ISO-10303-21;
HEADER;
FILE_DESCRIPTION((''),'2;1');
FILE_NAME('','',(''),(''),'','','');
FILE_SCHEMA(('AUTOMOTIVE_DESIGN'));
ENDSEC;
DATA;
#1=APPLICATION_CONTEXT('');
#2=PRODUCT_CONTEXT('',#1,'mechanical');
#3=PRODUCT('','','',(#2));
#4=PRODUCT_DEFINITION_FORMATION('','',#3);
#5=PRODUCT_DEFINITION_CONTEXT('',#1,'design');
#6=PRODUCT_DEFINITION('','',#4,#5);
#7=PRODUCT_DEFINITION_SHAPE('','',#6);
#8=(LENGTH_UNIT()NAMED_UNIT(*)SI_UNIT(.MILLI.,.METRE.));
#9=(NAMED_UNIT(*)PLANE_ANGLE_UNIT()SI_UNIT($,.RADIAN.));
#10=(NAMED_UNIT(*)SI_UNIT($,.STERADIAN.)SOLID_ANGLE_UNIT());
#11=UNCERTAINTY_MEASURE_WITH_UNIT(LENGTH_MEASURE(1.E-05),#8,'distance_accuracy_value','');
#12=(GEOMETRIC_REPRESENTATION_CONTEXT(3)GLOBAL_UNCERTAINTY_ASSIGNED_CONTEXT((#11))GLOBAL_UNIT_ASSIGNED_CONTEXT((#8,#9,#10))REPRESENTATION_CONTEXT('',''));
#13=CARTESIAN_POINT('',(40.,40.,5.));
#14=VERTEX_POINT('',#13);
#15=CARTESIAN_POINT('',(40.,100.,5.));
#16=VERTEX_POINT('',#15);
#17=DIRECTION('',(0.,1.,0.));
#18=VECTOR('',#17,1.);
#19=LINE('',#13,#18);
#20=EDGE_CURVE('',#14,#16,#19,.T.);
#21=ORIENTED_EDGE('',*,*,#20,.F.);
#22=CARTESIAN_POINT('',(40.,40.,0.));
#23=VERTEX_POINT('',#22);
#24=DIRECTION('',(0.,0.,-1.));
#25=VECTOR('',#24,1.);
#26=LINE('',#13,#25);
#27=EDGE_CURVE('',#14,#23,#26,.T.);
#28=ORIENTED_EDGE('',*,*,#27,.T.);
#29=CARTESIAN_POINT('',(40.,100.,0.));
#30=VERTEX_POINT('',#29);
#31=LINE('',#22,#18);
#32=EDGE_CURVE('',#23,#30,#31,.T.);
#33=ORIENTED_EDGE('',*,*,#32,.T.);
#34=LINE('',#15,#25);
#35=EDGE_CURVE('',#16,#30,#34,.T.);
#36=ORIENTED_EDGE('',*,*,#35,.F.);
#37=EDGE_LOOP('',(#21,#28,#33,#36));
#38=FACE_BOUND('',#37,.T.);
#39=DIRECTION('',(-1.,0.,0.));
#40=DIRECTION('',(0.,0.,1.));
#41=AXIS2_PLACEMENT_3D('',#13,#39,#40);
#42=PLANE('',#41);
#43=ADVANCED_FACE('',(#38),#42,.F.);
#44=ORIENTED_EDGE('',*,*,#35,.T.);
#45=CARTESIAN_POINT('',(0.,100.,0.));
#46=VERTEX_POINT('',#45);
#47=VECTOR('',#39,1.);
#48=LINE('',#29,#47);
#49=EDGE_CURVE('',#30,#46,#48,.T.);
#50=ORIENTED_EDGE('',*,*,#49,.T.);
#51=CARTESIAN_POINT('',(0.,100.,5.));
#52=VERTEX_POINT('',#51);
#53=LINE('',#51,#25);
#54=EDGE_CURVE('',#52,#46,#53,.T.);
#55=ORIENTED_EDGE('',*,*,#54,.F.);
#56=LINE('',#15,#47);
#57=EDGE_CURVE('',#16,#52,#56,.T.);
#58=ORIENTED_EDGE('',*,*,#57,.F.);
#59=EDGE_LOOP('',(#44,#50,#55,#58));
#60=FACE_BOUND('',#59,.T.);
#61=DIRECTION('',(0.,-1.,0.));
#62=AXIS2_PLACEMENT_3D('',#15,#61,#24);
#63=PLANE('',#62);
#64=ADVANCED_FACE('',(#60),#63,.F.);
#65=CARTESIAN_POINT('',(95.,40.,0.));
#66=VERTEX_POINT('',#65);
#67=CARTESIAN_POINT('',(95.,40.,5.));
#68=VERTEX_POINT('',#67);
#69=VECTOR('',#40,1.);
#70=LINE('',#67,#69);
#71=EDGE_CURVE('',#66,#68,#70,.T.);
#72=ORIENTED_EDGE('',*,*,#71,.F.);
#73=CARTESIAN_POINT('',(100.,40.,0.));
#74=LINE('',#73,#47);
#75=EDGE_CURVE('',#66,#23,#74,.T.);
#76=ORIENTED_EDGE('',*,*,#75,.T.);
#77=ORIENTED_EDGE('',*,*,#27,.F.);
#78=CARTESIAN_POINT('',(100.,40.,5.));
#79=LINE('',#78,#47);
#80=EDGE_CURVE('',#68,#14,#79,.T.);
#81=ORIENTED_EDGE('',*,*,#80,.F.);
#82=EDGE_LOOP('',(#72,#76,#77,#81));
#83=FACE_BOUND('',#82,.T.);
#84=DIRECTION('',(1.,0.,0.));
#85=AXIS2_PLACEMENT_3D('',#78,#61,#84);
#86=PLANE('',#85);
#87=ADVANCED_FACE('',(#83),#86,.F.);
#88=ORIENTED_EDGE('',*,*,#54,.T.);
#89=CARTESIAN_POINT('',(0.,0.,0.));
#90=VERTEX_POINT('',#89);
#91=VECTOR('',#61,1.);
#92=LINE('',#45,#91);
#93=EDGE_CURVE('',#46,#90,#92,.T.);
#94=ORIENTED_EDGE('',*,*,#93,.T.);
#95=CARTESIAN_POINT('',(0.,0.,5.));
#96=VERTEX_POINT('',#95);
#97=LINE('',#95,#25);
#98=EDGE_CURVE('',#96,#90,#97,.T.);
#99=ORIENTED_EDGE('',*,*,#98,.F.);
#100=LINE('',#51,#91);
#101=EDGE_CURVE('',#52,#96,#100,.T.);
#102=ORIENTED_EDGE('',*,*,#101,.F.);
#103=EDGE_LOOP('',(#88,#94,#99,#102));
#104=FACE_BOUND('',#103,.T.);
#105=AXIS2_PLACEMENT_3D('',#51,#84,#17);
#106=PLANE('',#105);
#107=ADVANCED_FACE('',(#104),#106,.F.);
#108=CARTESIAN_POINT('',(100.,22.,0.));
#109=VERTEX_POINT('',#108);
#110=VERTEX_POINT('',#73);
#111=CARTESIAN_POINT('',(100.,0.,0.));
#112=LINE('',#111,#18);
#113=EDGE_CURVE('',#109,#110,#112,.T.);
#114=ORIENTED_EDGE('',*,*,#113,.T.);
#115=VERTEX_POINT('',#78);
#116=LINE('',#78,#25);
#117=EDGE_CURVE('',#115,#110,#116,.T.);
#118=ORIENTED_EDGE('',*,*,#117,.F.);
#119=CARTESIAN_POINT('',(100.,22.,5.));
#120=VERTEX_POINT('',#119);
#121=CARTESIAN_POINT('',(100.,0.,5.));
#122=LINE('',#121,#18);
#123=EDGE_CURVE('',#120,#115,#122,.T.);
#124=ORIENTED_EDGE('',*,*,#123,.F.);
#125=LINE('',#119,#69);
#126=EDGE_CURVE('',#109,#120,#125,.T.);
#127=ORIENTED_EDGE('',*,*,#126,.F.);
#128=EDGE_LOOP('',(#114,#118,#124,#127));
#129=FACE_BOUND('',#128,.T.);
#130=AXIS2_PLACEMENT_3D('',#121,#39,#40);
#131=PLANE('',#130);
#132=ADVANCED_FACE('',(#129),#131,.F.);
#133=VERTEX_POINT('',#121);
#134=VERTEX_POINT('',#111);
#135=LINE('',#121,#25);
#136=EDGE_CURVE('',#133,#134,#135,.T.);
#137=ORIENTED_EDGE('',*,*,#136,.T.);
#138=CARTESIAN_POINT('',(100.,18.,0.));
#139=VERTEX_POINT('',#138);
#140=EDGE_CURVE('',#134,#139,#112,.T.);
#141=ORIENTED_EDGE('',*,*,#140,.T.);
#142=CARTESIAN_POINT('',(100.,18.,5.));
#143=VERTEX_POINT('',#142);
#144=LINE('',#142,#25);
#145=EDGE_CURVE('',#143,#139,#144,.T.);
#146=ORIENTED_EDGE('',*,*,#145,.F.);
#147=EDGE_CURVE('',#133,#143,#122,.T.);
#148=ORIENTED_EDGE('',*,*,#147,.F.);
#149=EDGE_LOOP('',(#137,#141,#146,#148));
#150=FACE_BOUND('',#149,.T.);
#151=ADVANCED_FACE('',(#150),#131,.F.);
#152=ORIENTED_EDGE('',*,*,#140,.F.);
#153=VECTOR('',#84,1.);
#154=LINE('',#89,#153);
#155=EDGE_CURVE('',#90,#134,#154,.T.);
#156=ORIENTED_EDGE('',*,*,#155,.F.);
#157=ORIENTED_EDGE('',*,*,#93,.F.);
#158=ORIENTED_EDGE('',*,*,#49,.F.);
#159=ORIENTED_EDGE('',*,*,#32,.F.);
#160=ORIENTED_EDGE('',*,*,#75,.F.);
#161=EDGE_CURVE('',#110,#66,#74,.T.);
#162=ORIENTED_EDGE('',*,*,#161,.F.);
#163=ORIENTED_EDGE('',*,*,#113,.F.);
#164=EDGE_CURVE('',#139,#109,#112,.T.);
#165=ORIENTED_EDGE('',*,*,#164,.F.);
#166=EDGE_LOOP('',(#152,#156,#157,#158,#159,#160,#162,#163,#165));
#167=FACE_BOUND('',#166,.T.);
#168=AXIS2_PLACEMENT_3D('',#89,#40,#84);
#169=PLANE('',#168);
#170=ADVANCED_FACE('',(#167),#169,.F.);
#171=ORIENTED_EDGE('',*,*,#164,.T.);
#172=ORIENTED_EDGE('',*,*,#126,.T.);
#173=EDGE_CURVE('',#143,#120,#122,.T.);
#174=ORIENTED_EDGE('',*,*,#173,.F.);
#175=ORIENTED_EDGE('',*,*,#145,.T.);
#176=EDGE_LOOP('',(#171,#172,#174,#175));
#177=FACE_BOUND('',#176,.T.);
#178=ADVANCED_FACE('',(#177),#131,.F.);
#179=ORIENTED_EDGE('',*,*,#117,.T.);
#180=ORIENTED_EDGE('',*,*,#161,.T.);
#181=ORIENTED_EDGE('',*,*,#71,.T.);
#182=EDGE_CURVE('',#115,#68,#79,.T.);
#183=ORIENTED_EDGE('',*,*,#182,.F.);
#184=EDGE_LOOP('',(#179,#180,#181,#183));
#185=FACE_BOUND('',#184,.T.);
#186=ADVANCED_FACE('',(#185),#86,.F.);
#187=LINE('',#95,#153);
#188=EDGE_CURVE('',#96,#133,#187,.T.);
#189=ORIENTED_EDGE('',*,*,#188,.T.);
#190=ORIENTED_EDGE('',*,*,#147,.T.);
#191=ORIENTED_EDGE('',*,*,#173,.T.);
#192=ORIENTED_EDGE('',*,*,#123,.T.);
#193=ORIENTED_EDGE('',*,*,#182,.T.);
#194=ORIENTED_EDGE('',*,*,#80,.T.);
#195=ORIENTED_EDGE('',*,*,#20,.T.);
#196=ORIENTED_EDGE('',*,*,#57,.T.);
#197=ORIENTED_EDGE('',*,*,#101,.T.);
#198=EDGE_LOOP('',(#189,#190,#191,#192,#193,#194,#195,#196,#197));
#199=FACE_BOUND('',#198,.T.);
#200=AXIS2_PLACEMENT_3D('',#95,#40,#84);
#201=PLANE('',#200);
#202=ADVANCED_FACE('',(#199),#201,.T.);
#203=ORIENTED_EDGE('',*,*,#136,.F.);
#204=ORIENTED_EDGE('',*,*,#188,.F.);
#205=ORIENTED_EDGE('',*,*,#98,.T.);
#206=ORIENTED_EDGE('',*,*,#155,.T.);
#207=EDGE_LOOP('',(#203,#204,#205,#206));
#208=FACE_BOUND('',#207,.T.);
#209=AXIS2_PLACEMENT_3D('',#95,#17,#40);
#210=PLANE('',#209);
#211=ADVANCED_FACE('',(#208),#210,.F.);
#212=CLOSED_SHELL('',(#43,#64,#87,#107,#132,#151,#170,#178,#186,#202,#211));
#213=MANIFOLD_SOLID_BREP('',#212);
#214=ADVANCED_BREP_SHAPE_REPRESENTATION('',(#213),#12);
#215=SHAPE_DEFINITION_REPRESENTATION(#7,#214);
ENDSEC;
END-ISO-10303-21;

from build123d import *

# Parameters (mm, degrees)
BOSS_EXTRUDE1_DEPTH = 5


with BuildPart() as part:
    # Sketch1 → Boss-Extrude1 (new body)
    with BuildSketch(Plane.XY):
        Polygon((0, 0), (100, 0), (100, 40), (40, 40), (40, 100), (0, 100), align=None)
    extrude(amount=BOSS_EXTRUDE1_DEPTH)


solid = part.part
